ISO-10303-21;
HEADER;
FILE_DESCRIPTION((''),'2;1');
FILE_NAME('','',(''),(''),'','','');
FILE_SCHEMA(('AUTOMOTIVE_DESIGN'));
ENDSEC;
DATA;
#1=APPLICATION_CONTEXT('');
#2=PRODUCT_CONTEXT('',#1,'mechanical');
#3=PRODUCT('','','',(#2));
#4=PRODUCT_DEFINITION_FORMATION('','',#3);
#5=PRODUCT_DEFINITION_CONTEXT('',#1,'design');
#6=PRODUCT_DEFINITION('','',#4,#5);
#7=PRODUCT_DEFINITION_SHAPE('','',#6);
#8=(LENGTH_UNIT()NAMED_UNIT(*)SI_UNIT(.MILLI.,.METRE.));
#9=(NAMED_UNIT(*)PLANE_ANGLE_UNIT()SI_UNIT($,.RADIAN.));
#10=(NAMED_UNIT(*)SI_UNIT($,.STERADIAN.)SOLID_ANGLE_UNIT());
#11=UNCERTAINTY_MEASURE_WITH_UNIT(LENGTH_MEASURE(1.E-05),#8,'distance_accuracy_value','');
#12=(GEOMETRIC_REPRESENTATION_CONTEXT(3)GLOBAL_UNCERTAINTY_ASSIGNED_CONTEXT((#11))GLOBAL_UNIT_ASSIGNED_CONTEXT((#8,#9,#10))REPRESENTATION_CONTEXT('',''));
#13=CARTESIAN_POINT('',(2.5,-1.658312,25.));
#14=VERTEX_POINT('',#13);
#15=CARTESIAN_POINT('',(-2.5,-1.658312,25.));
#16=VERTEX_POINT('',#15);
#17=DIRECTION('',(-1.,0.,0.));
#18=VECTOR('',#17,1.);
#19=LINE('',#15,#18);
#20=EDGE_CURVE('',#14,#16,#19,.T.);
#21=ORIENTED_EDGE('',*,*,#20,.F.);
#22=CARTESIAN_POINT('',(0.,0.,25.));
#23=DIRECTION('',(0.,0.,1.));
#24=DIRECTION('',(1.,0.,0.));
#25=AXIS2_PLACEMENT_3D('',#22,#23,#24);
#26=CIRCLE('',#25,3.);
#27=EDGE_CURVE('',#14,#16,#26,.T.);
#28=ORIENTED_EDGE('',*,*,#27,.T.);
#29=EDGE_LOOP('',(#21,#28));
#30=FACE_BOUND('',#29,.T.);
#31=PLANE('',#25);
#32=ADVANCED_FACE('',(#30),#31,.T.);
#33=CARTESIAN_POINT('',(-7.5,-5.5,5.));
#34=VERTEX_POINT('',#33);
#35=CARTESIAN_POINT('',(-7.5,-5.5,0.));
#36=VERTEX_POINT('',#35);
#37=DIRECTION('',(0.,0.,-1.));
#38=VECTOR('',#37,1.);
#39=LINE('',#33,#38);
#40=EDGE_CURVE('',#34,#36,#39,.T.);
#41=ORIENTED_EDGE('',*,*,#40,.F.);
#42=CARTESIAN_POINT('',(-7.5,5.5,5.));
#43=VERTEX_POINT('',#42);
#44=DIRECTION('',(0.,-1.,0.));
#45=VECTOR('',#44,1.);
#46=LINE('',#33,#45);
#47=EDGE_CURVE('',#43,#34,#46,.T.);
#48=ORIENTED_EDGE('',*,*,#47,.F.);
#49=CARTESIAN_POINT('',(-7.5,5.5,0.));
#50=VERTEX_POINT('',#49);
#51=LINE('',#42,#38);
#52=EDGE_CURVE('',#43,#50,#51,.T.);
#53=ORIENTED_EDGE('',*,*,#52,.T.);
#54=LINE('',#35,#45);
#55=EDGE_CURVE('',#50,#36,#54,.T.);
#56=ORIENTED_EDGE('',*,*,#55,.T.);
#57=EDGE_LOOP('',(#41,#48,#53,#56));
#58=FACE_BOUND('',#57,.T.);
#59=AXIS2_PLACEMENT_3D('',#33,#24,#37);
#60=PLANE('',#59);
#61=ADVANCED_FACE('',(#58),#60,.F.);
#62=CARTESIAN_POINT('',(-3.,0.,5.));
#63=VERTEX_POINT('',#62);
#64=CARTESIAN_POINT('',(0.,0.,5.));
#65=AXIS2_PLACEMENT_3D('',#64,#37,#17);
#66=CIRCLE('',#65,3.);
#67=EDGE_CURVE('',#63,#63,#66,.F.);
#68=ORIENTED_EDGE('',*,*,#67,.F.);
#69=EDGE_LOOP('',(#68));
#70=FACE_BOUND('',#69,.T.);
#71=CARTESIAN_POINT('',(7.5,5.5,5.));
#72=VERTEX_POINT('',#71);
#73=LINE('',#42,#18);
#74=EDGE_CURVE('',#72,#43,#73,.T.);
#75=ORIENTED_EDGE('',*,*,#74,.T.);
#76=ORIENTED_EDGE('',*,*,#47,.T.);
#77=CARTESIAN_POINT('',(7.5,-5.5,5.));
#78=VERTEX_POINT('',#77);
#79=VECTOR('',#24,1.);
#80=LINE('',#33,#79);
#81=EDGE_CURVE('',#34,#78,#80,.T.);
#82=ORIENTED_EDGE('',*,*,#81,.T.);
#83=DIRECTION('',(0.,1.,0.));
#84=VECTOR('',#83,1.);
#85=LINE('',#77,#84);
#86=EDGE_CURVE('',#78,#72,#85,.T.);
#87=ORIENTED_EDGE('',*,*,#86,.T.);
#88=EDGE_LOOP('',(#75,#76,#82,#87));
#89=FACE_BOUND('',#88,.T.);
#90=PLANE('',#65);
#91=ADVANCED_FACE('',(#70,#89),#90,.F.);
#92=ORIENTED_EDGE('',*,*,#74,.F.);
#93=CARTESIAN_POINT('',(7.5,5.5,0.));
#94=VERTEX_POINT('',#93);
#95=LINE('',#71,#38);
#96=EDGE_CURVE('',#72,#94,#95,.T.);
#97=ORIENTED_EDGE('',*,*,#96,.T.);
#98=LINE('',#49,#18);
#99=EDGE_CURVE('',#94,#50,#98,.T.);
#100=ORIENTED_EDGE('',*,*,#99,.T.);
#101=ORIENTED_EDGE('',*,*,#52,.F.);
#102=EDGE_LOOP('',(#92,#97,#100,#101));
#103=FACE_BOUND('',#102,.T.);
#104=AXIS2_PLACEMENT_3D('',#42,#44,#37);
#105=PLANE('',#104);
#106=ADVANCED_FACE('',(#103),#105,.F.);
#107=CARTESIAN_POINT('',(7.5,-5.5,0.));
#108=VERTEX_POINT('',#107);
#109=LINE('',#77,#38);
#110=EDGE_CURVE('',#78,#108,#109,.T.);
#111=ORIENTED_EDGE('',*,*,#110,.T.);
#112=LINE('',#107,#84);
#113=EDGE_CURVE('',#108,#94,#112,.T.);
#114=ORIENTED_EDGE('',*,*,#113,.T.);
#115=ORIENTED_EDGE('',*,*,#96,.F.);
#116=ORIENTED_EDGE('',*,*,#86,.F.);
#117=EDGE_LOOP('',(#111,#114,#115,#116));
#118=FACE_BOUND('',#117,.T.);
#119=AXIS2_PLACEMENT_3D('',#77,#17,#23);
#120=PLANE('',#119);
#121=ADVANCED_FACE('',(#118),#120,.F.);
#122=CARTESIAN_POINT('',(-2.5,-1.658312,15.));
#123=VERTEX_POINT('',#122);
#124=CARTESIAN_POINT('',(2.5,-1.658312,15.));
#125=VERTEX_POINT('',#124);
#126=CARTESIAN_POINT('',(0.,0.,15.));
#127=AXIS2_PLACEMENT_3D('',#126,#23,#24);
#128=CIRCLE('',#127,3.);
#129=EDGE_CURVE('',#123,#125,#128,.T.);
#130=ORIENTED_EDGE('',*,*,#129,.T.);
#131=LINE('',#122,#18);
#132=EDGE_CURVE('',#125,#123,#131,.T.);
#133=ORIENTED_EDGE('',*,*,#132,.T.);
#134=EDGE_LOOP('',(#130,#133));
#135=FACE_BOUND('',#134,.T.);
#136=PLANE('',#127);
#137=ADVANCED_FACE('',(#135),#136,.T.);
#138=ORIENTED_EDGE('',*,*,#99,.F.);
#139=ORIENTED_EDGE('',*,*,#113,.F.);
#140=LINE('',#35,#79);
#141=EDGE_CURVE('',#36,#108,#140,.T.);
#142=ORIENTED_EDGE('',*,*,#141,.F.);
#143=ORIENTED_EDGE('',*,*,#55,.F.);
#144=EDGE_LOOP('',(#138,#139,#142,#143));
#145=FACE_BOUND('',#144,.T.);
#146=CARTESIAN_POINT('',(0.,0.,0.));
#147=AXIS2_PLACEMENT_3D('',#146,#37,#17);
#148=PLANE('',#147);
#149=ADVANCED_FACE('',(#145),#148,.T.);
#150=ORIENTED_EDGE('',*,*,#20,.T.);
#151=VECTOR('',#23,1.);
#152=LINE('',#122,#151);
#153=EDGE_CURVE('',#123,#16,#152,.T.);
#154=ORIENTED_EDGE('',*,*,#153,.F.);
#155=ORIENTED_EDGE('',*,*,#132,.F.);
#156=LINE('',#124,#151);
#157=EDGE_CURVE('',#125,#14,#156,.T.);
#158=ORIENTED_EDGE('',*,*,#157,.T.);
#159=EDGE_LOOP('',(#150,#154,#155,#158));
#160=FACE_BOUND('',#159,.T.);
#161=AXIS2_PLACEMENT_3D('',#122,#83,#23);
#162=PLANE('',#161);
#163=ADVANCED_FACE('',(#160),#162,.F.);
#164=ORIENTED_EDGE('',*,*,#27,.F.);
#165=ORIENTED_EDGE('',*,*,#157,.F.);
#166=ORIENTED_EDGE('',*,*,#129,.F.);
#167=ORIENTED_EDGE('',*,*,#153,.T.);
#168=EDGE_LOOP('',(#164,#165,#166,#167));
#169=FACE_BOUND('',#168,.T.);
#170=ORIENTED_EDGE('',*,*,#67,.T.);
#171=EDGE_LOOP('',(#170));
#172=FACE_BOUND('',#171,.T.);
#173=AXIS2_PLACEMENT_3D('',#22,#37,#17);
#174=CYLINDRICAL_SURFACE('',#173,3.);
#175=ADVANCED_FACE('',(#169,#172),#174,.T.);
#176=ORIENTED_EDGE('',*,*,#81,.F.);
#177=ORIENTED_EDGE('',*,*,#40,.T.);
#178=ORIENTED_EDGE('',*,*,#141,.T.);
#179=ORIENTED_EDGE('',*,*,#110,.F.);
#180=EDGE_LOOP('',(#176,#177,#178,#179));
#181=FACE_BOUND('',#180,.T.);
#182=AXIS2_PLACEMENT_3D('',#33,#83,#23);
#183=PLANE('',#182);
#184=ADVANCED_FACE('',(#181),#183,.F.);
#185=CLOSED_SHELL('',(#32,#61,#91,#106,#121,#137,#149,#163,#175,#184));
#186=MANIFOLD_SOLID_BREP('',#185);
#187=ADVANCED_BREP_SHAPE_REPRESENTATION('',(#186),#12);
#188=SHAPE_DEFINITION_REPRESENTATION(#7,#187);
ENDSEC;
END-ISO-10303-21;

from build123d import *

# Parameters (mm, degrees)
ESQUISSE1_W             = 15
ESQUISSE1_H             = 11
BOSS_EXTRU_1_DEPTH      = 5
ESQUISSE2_R             = 3
BOSS_EXTRU_2_DEPTH      = 20
ENL_V_MAT_EXTRU_1_DEPTH = 10


with BuildPart() as part:
    # Esquisse1 → Boss.-Extru.1 (new body)
    with BuildSketch(Plane.XY):
        Rectangle(ESQUISSE1_W, ESQUISSE1_H)
    extrude(amount=BOSS_EXTRU_1_DEPTH)

    # Esquisse2 → Boss.-Extru.2 (add)
    with BuildSketch(Plane.XY.offset(5)):
        Circle(ESQUISSE2_R)
    extrude(amount=BOSS_EXTRU_2_DEPTH)

    # Esquisse3 → Enlèv. mat.-Extru.1 (cut)
    with BuildSketch(Plane.XY.offset(25)):
        with BuildLine():
            Line((-2.5, -1.658312395), (2.5, -1.658312395))
            ThreePointArc((2.5, -1.658312395), (0, -3), (-2.5, -1.658312395))
        make_face()
    extrude(amount=-ENL_V_MAT_EXTRU_1_DEPTH, mode=Mode.SUBTRACT)


solid = part.part
